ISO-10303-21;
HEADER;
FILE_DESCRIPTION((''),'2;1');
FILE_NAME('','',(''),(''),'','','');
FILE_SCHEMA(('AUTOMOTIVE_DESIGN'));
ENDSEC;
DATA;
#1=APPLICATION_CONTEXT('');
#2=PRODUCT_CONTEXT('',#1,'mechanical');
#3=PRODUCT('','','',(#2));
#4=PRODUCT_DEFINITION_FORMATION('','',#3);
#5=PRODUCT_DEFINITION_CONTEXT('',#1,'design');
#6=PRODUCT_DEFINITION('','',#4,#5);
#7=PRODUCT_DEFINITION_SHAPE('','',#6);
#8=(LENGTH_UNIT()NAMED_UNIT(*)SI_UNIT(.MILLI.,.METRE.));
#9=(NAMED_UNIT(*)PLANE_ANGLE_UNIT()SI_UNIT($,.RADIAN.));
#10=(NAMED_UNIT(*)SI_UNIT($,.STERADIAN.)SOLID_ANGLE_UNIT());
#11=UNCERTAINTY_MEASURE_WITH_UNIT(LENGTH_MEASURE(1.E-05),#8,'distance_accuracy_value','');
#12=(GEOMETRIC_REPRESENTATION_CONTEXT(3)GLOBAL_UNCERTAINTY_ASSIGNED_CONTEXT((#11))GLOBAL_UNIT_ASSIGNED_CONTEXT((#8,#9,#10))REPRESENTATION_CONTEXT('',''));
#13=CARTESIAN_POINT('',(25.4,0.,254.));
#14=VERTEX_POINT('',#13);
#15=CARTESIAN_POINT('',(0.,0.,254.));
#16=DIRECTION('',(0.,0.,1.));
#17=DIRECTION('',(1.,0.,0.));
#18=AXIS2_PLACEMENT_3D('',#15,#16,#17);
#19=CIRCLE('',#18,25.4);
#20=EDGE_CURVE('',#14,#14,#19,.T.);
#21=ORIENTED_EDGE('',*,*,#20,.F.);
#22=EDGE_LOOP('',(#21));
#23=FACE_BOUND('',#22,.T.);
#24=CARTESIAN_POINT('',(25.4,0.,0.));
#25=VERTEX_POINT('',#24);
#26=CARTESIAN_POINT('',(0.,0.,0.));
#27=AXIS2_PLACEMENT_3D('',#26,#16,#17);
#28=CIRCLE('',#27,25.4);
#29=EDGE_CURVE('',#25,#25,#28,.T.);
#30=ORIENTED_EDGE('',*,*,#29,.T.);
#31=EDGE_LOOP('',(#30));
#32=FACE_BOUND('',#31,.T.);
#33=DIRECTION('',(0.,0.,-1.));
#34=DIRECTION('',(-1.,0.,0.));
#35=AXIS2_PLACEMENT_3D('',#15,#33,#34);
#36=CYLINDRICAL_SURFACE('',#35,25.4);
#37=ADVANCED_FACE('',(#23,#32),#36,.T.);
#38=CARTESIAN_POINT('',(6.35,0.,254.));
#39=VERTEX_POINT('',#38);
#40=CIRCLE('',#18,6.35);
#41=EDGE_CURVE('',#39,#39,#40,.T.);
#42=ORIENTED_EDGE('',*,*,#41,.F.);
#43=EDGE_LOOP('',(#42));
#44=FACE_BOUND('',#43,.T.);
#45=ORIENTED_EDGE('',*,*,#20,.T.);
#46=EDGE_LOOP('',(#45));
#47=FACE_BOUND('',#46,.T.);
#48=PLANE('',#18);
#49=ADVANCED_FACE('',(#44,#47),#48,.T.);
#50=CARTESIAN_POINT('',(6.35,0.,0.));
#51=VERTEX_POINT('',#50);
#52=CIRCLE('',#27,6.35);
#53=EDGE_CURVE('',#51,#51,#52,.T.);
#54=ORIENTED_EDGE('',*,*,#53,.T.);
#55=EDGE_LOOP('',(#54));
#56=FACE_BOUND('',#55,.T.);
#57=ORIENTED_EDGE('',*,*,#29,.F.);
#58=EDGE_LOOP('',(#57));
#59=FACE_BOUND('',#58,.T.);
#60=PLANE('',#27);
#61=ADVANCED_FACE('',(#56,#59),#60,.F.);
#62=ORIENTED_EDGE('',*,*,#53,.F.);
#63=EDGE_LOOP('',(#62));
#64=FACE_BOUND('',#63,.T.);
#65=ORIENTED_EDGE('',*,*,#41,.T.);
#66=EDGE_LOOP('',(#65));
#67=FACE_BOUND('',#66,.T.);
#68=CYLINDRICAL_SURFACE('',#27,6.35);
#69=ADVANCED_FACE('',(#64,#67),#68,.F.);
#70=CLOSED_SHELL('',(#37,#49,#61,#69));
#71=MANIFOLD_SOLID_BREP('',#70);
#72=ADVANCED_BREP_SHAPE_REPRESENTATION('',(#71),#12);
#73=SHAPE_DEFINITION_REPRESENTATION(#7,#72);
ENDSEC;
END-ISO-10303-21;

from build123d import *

# Parameters (mm, degrees)
SKETCH1_R           = 25.4
BOSS_EXTRUDE1_DEPTH = 254
SKETCH2_R           = 6.35
CUT_EXTRUDE1_DEPTH  = 257.527425434


with BuildPart() as part:
    # Sketch1 → Boss-Extrude1 (new body)
    with BuildSketch(Plane.XY):
        Circle(SKETCH1_R)
    extrude(amount=BOSS_EXTRUDE1_DEPTH)

    # Sketch2 → Cut-Extrude1 (cut, through all)
    with BuildSketch(Plane.XY.offset(254)):
        Circle(SKETCH2_R)
    extrude(amount=-CUT_EXTRUDE1_DEPTH, mode=Mode.SUBTRACT)


solid = part.part
